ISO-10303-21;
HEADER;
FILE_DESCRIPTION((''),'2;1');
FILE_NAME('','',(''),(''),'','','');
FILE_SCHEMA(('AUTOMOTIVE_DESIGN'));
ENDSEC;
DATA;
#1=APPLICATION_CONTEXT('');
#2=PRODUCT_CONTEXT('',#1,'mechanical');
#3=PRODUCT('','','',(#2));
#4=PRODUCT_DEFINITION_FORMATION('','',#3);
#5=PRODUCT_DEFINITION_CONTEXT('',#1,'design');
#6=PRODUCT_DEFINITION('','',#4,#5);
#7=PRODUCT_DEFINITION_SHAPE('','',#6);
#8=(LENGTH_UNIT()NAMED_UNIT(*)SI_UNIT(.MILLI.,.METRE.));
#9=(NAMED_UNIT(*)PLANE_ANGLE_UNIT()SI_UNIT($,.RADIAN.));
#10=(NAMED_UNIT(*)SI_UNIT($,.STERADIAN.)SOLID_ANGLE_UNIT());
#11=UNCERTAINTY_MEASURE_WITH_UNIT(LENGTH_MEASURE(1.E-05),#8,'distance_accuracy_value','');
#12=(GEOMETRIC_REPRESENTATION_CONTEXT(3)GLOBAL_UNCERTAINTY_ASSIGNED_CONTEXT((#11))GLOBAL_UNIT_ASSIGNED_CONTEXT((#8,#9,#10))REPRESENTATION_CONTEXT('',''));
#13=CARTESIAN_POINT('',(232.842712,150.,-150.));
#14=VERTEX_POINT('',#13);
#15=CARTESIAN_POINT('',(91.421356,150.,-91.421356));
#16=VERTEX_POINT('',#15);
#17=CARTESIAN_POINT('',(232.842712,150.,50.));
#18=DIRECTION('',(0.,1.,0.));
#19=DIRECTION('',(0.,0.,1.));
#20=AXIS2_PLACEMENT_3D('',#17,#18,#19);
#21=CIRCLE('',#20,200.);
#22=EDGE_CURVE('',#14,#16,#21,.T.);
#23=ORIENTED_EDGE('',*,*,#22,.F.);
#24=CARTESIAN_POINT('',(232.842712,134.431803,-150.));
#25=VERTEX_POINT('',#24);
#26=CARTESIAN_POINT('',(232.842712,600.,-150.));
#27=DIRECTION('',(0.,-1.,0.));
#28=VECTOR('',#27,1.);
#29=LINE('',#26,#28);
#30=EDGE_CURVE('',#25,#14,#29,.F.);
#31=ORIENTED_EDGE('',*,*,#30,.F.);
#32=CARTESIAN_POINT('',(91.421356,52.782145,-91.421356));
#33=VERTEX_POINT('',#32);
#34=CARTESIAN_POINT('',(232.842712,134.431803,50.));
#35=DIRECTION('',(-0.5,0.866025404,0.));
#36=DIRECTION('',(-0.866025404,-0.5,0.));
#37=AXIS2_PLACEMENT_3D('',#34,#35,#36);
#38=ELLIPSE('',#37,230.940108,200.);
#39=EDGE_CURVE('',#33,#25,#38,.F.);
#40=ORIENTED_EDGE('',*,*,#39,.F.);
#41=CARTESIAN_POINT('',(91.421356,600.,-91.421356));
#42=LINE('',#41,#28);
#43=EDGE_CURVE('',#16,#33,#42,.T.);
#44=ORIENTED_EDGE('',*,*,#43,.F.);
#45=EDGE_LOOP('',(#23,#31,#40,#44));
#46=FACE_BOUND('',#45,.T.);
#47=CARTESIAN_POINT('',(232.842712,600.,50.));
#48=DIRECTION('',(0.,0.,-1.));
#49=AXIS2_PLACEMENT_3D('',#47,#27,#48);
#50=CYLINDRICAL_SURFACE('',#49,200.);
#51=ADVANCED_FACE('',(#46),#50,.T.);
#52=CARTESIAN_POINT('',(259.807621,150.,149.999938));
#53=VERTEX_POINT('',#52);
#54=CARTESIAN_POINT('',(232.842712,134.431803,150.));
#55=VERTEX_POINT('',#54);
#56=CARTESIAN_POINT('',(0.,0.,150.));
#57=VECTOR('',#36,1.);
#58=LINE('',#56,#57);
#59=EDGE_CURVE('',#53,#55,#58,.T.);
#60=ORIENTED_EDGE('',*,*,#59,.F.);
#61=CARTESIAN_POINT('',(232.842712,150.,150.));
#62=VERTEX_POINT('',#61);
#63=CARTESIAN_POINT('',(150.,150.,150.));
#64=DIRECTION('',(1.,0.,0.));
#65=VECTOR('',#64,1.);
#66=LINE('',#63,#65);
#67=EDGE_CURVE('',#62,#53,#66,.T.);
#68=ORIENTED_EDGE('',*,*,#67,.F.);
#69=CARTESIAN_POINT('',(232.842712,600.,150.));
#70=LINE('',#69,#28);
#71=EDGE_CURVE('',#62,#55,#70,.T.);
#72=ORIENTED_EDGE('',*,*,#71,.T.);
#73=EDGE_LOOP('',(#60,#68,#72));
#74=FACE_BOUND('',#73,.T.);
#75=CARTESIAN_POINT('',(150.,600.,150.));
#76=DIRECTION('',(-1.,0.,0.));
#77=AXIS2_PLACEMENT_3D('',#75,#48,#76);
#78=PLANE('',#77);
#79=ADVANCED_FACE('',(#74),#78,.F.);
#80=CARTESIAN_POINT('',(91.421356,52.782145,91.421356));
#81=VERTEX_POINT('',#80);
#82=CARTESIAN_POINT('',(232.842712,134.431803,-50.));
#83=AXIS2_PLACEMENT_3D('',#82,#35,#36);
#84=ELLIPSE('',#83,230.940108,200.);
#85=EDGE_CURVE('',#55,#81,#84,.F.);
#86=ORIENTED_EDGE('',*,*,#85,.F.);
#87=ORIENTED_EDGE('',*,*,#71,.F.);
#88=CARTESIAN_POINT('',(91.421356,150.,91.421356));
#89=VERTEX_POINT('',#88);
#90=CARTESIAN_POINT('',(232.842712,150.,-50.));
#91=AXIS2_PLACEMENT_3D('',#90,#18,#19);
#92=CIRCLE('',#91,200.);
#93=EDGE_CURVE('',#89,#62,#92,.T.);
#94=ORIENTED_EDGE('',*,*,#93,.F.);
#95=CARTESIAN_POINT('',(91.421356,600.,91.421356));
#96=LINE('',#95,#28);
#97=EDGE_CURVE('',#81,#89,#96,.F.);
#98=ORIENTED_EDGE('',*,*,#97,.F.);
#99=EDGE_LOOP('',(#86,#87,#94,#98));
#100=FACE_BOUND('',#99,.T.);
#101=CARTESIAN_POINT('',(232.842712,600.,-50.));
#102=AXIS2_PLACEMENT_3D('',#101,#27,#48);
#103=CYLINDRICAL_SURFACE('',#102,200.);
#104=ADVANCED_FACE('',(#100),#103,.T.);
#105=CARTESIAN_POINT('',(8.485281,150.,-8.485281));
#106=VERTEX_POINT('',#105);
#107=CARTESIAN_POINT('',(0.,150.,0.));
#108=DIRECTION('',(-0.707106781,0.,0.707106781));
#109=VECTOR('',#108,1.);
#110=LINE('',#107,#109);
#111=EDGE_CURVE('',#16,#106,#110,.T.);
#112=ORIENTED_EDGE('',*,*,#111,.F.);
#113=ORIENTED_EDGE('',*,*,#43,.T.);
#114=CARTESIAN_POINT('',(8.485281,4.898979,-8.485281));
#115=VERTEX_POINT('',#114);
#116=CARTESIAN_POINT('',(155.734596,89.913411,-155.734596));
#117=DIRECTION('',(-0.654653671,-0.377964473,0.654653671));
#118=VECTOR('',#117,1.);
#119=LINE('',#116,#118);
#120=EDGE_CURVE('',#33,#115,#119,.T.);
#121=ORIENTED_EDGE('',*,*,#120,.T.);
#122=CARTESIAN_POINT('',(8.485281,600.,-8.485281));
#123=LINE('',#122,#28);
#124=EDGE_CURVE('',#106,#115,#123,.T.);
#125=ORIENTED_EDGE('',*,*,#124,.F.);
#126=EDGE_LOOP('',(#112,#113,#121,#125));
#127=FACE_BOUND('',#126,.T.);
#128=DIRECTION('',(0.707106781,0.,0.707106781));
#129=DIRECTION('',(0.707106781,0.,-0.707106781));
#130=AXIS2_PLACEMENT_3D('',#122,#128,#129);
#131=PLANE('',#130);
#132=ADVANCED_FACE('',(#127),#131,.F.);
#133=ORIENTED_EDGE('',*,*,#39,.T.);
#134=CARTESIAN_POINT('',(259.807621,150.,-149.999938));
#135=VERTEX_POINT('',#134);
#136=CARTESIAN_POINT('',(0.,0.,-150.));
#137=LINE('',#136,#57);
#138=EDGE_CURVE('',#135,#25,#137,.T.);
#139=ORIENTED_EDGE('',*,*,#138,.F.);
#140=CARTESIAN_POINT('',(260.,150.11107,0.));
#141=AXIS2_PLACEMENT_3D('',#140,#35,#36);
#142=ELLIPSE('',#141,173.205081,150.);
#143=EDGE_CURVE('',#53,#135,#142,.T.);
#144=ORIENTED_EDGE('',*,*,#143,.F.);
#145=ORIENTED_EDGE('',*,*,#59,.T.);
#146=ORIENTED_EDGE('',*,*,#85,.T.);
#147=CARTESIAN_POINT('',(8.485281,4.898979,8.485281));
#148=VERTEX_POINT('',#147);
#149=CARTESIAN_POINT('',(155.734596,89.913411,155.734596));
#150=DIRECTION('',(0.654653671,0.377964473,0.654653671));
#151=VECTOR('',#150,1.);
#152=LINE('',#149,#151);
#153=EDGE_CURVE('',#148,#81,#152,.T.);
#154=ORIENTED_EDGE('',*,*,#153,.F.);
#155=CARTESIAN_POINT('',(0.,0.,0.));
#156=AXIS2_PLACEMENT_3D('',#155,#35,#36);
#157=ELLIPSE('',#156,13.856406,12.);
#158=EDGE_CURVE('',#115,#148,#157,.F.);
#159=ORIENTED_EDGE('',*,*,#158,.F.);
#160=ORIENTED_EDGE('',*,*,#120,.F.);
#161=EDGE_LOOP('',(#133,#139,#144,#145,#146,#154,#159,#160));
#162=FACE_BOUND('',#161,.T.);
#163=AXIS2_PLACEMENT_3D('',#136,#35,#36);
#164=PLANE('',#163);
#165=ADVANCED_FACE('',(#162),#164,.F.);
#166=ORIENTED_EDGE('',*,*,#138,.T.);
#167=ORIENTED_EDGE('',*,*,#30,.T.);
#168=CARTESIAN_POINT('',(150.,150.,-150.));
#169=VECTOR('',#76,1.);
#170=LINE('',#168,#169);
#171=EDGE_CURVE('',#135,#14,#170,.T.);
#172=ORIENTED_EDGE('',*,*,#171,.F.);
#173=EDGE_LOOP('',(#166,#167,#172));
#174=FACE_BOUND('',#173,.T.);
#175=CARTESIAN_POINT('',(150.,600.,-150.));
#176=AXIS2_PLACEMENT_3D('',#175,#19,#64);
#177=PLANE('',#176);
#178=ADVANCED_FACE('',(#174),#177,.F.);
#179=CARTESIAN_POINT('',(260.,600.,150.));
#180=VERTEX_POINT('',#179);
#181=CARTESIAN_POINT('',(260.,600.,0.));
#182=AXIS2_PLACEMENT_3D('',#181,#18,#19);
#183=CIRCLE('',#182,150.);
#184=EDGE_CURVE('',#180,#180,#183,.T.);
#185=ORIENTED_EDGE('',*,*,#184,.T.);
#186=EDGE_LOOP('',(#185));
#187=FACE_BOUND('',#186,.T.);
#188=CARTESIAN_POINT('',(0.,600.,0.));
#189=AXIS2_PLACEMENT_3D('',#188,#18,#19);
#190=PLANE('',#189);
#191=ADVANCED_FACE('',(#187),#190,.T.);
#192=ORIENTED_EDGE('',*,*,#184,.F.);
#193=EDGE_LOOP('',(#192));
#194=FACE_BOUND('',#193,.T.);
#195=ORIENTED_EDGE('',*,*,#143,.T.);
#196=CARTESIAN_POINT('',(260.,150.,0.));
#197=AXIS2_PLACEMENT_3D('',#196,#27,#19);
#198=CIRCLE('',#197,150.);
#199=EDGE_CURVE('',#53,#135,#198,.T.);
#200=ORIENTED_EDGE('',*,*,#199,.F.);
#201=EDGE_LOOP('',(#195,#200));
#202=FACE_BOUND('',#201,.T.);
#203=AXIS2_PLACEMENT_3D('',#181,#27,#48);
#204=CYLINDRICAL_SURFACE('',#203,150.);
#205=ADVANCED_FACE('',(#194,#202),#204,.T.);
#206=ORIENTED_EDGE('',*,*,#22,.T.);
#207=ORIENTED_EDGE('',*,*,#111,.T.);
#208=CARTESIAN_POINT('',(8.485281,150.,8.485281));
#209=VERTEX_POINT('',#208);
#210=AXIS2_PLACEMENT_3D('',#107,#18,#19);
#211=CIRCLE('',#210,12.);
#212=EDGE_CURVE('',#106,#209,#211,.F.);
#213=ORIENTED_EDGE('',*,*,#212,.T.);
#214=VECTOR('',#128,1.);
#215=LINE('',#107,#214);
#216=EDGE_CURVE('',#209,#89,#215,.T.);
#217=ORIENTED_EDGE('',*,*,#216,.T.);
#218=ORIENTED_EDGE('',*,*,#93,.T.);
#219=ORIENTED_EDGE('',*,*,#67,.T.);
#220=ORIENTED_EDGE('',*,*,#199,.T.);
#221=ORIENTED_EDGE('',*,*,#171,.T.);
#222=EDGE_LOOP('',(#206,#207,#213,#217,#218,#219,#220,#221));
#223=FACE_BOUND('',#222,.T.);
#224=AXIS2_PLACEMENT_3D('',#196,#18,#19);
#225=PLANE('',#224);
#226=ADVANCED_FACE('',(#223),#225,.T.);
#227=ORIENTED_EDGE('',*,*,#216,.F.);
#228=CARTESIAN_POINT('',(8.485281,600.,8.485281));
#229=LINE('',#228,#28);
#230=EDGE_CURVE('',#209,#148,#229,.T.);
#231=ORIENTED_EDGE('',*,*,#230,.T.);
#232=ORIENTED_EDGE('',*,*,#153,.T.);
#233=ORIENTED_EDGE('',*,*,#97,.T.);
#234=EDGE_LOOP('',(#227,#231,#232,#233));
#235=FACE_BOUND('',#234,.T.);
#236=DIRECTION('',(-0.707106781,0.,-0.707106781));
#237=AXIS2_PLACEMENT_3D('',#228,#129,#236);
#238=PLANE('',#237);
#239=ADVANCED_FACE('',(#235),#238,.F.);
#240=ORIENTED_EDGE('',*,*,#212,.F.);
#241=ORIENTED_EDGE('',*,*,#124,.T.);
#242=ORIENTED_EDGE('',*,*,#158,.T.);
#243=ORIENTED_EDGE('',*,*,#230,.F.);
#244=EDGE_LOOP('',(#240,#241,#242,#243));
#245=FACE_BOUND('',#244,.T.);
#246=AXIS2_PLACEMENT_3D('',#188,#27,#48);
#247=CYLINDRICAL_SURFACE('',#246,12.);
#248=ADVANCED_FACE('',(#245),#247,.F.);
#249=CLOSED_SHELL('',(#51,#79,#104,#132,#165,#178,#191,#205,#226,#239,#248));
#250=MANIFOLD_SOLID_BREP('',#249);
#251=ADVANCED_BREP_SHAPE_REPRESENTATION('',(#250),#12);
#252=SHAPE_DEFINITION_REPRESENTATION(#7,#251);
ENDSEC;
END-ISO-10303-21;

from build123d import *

# Parameters (mm, degrees)
BOSS_EXTRUDE1_DEPTH     = 600
CUT_EXTRUDE1_DEPTH      = 743.024258364
CUT_EXTRUDE1_DEPTH_BACK = 743.024258364
CUT_EXTRUDE2_START      = -450
CUT_EXTRUDE2_DEPTH      = 450
FILLET1_R               = 200


with BuildPart() as part:
    # Sketch1 → Boss-Extrude1 (new body)
    with BuildSketch(Plane(origin=(0, 0, 0), x_dir=(1, 0, 0), z_dir=(0, 1, 0))):
        with BuildLine():
            Line((8.485281374, -8.485281374), (150, -150))
            Line((150, -150), (260, -150))
            ThreePointArc((260, -150), (410, 0), (260, 150))
            Line((260, 150), (150, 150))
            Line((150, 150), (8.485281374, 8.485281374))
            ThreePointArc((8.485281374, 8.485281374), (12, 0), (8.485281374, -8.485281374))
        make_face()
    extrude(amount=BOSS_EXTRUDE1_DEPTH)

    # Sketch2 → Cut-Extrude1 (cut, two sides: drawn at the far end of the back side and taken through both)
    with BuildSketch(Plane.XY.offset(-CUT_EXTRUDE1_DEPTH_BACK)):
        Polygon((0, 0), (410, 236.713610368), (410, 0), align=None)
    extrude(amount=CUT_EXTRUDE1_DEPTH + CUT_EXTRUDE1_DEPTH_BACK, mode=Mode.SUBTRACT)

    # Sketch3 → Cut-Extrude2 (cut)
    with BuildSketch(Plane(origin=(0, 600, 0), x_dir=(1, 0, 0), z_dir=(0, 1, 0)).offset(CUT_EXTRUDE2_START)):
        with BuildLine():
            Line((0, 0), (150, 150))
            Line((150, 150), (260, 150))
            ThreePointArc((260, 150), (110, 0), (260, -150))
            Line((260, -150), (150, -150))
            Line((150, -150), (0, 0))
        make_face()
    extrude(amount=CUT_EXTRUDE2_DEPTH, mode=Mode.SUBTRACT)

    # Fillet1
    fillet1_edges = [part.edges().sort_by_distance(p)[0] for p in [
        (150, 118.301270189, 150),
        (150, 118.301270189, -150),
    ]]
    fillet(fillet1_edges, radius=FILLET1_R)


solid = part.part
